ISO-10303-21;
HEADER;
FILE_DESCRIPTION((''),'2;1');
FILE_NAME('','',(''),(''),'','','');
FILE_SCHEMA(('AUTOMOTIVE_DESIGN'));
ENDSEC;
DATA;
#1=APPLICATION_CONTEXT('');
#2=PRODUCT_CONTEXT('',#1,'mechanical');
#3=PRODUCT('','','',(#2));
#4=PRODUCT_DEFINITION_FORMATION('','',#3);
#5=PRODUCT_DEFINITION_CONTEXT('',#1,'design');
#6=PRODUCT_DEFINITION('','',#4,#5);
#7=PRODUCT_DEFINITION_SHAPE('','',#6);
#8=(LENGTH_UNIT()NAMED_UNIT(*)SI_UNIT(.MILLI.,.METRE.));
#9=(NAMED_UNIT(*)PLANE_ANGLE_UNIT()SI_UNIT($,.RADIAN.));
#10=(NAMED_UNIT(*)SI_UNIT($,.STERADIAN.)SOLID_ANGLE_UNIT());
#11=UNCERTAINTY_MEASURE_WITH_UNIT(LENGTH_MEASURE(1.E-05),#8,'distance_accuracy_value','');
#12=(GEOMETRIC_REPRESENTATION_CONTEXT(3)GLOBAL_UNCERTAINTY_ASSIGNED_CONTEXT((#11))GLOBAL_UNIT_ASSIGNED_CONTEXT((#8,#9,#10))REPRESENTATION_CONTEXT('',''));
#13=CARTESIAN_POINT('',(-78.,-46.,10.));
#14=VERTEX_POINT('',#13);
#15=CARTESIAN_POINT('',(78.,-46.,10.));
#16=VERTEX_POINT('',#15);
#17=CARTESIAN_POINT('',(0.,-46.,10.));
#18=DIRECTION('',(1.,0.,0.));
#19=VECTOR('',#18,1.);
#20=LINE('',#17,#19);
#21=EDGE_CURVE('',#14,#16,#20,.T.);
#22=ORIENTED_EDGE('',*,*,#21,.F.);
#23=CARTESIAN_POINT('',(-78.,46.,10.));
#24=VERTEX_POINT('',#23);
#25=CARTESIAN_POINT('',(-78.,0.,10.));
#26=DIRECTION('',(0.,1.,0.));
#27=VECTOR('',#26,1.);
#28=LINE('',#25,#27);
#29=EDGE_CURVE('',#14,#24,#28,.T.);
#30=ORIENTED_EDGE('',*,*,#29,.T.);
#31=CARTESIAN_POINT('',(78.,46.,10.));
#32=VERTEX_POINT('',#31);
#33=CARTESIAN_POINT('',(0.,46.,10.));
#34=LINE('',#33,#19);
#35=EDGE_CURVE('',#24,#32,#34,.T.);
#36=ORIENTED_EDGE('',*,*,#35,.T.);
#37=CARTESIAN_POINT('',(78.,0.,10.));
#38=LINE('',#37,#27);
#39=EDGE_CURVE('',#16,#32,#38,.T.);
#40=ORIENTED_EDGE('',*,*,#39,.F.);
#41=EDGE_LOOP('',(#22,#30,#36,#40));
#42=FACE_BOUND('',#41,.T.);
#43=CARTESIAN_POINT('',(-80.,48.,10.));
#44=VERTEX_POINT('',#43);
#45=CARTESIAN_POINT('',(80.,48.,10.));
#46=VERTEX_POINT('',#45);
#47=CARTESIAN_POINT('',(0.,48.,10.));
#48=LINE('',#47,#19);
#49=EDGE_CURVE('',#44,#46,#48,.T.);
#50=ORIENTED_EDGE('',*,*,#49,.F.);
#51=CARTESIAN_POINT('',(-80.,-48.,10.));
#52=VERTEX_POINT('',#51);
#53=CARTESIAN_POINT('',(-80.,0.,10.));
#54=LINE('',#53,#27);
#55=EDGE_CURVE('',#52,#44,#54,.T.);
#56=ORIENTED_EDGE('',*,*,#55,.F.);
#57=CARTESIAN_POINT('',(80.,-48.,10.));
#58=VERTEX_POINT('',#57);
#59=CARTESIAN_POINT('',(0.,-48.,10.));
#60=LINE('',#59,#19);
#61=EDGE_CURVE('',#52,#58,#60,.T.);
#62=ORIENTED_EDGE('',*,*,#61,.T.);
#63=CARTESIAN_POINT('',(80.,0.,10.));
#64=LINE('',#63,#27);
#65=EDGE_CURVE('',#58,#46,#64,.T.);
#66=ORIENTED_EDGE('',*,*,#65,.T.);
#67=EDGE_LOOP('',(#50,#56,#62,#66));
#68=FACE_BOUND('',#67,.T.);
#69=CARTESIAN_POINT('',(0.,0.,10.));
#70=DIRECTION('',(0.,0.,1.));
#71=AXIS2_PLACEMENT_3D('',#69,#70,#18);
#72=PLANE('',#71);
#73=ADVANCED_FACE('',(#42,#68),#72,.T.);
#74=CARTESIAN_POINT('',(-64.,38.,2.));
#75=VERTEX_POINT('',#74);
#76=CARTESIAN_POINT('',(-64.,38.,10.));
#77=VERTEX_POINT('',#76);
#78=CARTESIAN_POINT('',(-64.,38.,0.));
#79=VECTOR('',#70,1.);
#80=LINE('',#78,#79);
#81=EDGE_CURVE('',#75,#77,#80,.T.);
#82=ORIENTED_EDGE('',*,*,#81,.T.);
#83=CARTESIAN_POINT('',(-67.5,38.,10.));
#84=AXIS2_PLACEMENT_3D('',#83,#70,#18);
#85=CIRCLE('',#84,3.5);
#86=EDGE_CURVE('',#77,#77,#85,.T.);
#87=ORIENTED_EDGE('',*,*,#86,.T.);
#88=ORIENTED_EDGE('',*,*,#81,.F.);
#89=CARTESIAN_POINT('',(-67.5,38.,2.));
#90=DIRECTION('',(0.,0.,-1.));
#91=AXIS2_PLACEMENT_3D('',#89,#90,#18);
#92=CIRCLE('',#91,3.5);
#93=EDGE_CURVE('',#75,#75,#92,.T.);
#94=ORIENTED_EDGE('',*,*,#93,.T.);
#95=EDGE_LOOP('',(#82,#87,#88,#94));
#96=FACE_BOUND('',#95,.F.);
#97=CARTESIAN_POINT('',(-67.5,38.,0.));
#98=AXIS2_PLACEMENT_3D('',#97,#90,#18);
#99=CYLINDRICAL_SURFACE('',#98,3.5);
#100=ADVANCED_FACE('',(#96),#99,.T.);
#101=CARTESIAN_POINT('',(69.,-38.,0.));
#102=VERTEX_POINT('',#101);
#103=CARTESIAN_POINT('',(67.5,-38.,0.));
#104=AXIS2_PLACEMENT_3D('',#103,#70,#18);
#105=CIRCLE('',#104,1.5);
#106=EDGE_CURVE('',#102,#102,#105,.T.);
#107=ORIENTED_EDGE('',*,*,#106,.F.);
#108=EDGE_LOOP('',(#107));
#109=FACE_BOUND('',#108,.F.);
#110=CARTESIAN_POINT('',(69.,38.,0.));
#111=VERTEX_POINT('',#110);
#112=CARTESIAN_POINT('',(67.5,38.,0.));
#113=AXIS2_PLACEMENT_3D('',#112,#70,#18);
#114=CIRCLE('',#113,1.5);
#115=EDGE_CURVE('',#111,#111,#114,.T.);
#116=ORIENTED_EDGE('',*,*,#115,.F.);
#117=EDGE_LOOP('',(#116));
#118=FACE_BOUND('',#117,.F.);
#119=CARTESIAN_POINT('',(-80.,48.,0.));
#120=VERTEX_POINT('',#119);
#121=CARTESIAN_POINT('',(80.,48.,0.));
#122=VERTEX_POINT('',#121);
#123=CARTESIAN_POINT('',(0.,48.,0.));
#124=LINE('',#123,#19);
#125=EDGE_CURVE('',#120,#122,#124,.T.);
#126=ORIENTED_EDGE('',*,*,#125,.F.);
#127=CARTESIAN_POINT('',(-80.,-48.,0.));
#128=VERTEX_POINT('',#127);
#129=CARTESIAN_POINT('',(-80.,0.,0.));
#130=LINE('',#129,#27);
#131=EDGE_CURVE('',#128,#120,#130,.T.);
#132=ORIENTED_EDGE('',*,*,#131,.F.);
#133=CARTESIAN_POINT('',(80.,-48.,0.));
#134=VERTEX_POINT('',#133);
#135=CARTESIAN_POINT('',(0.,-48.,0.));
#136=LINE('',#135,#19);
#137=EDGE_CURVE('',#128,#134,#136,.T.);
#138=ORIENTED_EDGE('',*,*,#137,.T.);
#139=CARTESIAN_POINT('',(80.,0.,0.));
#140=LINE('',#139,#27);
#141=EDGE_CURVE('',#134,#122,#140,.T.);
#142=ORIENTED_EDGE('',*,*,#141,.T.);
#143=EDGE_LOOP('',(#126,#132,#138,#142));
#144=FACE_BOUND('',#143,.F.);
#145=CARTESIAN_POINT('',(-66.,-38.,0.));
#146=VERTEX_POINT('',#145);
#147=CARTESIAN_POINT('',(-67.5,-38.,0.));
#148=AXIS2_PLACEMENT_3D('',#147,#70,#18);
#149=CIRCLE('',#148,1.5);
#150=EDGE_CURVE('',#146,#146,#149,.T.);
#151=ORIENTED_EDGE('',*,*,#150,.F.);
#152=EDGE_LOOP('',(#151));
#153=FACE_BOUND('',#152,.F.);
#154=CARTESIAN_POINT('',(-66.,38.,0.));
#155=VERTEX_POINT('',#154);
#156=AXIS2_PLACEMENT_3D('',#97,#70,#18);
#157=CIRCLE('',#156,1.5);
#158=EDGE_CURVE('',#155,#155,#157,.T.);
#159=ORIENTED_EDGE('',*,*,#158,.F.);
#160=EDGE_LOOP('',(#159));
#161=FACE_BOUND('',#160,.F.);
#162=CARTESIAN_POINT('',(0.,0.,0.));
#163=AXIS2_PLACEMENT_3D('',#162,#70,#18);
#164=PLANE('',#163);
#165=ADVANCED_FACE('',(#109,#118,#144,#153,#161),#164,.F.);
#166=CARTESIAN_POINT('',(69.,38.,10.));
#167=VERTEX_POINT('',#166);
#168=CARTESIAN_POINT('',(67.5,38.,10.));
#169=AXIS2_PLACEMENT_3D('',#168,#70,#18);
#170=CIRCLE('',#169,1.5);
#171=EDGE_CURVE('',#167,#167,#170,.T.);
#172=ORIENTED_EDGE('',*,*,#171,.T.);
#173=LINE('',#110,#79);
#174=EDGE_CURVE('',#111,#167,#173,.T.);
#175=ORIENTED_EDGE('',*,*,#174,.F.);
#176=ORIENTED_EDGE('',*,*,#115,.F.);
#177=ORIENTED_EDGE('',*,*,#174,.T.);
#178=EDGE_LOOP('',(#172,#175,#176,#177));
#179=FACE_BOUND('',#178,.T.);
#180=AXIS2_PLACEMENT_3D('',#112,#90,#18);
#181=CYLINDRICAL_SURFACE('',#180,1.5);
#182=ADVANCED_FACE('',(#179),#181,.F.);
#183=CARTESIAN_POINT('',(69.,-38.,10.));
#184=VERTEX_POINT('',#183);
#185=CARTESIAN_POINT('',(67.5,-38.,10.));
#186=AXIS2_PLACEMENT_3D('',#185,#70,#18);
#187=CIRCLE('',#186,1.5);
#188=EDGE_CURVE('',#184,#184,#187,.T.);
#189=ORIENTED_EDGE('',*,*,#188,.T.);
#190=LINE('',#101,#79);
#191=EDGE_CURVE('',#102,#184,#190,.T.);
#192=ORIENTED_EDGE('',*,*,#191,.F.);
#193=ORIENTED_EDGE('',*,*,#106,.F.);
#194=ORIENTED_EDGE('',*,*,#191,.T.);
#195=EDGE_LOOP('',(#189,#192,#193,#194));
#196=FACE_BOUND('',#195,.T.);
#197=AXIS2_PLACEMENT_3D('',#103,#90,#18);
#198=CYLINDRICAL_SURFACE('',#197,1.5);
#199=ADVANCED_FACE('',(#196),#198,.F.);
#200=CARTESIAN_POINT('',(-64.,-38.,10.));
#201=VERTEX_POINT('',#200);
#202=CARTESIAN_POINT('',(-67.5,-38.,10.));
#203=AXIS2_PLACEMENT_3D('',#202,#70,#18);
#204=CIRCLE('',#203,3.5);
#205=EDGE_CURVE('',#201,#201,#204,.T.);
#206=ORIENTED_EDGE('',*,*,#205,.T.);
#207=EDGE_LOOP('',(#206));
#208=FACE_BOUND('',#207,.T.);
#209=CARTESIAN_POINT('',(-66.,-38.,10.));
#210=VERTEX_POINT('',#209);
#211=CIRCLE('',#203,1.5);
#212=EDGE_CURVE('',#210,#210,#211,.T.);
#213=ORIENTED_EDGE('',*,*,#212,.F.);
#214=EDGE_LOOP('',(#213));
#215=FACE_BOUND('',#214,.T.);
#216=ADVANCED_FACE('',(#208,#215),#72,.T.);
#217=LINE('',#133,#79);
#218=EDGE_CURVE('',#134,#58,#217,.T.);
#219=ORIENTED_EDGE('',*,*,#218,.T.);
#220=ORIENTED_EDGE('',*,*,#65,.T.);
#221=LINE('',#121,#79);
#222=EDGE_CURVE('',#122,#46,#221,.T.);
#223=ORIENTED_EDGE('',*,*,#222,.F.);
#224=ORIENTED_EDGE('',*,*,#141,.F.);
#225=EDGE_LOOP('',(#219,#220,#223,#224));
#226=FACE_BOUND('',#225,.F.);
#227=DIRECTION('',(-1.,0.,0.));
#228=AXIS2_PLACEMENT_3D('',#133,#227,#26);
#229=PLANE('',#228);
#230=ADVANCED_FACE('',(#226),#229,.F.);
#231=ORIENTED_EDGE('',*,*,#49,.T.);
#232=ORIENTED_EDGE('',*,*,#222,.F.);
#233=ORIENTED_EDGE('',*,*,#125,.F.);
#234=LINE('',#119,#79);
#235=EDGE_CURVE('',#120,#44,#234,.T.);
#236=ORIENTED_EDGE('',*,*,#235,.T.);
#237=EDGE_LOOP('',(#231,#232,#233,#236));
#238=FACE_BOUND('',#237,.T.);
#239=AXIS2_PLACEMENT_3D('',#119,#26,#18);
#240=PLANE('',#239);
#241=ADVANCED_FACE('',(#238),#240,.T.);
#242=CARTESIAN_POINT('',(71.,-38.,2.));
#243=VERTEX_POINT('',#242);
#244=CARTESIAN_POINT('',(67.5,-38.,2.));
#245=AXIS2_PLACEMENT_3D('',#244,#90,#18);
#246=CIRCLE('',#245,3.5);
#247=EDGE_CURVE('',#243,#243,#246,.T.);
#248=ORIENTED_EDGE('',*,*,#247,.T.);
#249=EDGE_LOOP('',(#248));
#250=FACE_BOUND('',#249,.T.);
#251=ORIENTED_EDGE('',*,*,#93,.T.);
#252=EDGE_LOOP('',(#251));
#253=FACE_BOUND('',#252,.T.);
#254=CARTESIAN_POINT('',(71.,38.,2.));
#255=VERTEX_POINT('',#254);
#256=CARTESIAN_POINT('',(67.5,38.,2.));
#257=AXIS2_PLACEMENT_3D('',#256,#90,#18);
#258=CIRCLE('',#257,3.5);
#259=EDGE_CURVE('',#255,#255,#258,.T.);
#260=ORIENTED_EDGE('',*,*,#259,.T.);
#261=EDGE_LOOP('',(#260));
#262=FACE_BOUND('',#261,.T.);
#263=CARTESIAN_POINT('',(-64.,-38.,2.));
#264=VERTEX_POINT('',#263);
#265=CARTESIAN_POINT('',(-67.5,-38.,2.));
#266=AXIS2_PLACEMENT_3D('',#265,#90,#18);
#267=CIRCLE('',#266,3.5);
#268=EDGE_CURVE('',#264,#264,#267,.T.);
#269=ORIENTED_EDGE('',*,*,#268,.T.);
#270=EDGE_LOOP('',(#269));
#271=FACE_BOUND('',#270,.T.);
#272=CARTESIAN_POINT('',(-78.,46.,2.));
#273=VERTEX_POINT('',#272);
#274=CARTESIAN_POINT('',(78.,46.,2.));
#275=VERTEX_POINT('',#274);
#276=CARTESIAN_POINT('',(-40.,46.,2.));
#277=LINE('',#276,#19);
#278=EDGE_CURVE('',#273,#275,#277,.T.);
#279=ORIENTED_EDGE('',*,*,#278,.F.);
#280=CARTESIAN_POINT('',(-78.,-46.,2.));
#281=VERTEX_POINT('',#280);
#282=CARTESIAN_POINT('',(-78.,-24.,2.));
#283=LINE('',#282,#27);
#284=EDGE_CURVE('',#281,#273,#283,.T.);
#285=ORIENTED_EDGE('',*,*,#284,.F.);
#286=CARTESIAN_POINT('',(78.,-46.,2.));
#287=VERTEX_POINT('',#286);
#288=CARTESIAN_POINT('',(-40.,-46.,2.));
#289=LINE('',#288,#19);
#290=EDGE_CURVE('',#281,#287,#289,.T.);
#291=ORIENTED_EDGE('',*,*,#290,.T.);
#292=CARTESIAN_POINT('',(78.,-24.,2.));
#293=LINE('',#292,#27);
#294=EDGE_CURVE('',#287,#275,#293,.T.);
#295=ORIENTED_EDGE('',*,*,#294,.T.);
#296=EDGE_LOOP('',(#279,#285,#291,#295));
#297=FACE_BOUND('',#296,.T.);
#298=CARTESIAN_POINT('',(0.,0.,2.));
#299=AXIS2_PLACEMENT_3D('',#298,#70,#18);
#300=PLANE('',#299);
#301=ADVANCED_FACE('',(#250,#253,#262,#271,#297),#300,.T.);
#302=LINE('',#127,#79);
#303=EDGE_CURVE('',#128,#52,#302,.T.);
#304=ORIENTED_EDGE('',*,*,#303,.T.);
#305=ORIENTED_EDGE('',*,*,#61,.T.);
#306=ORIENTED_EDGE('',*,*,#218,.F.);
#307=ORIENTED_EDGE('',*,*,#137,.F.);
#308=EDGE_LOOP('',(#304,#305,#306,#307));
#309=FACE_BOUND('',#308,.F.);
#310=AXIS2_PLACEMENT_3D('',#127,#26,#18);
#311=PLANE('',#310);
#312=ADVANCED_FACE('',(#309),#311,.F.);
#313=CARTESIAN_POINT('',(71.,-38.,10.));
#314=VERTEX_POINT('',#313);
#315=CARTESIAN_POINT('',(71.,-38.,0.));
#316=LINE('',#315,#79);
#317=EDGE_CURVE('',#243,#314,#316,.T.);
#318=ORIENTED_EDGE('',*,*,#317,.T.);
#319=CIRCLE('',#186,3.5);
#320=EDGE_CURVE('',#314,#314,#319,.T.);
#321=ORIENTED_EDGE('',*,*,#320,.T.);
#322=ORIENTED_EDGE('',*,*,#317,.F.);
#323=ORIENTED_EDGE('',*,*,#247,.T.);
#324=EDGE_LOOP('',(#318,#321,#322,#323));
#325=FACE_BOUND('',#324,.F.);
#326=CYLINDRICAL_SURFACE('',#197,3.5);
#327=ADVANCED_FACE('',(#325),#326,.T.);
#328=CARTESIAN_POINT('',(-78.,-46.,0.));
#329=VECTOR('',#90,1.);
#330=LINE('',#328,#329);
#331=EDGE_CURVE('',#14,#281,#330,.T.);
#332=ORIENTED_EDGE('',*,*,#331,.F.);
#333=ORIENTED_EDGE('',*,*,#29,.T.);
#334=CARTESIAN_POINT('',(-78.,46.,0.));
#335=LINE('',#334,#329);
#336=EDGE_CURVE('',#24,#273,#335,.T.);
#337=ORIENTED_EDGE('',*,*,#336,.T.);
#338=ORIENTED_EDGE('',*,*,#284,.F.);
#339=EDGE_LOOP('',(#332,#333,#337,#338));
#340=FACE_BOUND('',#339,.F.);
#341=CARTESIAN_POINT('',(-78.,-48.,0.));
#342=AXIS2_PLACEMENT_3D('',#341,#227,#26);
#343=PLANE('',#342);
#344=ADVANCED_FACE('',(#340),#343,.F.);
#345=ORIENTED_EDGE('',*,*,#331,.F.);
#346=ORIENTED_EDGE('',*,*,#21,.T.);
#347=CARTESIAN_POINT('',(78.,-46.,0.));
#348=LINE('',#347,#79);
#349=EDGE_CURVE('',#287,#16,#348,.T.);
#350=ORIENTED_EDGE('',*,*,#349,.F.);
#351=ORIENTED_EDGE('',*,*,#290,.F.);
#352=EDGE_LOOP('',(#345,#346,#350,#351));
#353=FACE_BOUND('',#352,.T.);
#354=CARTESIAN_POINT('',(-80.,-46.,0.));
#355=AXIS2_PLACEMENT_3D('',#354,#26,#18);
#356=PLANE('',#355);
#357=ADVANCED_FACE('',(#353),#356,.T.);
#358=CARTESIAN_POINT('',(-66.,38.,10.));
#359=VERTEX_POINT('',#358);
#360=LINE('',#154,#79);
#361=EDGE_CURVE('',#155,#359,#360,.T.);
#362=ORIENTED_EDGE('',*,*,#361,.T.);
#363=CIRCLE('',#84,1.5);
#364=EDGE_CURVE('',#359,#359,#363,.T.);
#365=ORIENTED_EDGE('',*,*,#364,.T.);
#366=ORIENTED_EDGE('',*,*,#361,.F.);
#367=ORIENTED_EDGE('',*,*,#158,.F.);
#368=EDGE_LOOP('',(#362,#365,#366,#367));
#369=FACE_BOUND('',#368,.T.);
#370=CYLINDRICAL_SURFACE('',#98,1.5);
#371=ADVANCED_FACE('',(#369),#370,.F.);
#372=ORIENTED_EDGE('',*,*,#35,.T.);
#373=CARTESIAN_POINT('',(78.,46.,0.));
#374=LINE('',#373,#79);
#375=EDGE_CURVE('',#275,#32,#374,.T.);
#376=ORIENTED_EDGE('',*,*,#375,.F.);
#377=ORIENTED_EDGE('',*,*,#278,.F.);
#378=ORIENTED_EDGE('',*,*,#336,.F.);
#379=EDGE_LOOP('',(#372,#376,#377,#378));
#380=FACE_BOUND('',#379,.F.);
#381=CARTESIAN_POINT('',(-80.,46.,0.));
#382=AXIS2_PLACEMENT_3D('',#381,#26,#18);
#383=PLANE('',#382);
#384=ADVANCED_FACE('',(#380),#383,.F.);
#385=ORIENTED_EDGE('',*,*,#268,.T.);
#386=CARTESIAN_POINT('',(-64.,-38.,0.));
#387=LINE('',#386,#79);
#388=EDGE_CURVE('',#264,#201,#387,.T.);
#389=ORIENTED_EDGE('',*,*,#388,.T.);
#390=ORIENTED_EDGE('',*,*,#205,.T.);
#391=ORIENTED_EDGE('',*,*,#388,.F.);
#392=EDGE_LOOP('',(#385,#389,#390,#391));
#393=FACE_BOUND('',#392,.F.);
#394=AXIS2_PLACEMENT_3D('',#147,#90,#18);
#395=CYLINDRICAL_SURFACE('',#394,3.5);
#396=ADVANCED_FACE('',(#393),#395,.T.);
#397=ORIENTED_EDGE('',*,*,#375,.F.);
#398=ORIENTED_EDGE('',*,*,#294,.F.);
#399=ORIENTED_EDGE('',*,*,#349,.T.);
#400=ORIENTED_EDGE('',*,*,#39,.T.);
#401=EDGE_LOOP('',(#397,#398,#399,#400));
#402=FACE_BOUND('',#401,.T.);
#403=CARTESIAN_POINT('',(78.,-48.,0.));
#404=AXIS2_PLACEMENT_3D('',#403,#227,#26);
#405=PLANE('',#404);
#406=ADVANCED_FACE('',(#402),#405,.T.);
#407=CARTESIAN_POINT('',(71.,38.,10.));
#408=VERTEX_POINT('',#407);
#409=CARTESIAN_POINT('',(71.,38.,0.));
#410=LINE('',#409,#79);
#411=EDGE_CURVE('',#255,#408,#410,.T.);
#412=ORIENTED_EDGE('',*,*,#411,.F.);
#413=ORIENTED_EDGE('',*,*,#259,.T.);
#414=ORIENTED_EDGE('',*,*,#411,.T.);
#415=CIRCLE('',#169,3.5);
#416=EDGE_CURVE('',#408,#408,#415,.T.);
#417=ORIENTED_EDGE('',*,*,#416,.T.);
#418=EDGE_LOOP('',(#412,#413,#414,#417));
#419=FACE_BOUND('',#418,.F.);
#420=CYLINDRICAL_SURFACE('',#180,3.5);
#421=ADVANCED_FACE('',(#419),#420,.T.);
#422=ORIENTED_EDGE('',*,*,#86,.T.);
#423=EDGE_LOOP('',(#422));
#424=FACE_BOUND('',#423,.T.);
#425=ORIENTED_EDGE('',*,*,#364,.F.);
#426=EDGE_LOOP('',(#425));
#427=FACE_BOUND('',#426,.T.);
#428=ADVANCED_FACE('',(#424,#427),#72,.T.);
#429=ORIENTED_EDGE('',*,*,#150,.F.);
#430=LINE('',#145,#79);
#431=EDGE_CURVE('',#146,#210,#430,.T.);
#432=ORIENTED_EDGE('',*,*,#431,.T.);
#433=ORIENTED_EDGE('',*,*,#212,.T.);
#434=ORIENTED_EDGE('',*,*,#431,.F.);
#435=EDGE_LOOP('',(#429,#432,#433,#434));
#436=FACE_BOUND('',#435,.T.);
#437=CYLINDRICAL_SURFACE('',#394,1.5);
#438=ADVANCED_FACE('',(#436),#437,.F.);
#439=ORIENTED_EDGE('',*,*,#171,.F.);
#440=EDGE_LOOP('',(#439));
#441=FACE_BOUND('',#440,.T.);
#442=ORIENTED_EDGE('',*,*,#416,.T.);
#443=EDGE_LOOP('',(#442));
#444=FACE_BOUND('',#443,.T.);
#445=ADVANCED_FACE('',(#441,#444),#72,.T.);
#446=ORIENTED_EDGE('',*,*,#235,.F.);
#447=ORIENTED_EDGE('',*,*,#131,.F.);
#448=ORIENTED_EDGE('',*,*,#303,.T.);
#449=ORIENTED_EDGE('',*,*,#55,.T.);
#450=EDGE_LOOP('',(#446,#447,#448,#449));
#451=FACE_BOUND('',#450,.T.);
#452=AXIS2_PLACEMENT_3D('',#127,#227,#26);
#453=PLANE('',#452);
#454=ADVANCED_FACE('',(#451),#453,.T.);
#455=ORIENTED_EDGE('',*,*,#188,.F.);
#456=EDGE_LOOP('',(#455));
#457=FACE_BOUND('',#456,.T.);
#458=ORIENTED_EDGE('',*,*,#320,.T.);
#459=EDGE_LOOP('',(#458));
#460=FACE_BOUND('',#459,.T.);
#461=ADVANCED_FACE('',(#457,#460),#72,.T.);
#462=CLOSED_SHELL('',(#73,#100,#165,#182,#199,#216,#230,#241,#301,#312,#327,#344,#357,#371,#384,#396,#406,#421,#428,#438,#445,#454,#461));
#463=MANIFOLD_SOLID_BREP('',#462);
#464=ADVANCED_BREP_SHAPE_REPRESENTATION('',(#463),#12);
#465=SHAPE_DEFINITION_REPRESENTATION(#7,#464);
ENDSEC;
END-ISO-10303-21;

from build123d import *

# Parameters (mm, degrees)
F0_W     = 160
F0_H     = 96
F0_W_2   = 143
F0_H_2   = 84
F0_R     = 1.5
F1_DEPTH = 10
F2_T     = -2


with BuildPart() as f1:
    # F0 (on Top) → F1 (new body)
    with BuildSketch(Plane.XY):
        Rectangle(F0_W, F0_H)
        Rectangle(F0_W_2, F0_H_2, mode=Mode.SUBTRACT)
        Rectangle(F0_W_2, F0_H_2)
        with Locations((-67.5, -38)):
            Circle(F0_R, mode=Mode.SUBTRACT)
        with Locations((67.5, -38)):
            Circle(F0_R, mode=Mode.SUBTRACT)
        with Locations((-67.5, 38)):
            Circle(F0_R, mode=Mode.SUBTRACT)
        with Locations((67.5, 38)):
            Circle(F0_R, mode=Mode.SUBTRACT)
    extrude(amount=F1_DEPTH)

    # F2
    f2_openings = [f1.faces().sort_by_distance(p)[0] for p in [
        (0, 0, 10),
    ]]
    offset(amount=F2_T, openings=f2_openings)


solid = f1.part
